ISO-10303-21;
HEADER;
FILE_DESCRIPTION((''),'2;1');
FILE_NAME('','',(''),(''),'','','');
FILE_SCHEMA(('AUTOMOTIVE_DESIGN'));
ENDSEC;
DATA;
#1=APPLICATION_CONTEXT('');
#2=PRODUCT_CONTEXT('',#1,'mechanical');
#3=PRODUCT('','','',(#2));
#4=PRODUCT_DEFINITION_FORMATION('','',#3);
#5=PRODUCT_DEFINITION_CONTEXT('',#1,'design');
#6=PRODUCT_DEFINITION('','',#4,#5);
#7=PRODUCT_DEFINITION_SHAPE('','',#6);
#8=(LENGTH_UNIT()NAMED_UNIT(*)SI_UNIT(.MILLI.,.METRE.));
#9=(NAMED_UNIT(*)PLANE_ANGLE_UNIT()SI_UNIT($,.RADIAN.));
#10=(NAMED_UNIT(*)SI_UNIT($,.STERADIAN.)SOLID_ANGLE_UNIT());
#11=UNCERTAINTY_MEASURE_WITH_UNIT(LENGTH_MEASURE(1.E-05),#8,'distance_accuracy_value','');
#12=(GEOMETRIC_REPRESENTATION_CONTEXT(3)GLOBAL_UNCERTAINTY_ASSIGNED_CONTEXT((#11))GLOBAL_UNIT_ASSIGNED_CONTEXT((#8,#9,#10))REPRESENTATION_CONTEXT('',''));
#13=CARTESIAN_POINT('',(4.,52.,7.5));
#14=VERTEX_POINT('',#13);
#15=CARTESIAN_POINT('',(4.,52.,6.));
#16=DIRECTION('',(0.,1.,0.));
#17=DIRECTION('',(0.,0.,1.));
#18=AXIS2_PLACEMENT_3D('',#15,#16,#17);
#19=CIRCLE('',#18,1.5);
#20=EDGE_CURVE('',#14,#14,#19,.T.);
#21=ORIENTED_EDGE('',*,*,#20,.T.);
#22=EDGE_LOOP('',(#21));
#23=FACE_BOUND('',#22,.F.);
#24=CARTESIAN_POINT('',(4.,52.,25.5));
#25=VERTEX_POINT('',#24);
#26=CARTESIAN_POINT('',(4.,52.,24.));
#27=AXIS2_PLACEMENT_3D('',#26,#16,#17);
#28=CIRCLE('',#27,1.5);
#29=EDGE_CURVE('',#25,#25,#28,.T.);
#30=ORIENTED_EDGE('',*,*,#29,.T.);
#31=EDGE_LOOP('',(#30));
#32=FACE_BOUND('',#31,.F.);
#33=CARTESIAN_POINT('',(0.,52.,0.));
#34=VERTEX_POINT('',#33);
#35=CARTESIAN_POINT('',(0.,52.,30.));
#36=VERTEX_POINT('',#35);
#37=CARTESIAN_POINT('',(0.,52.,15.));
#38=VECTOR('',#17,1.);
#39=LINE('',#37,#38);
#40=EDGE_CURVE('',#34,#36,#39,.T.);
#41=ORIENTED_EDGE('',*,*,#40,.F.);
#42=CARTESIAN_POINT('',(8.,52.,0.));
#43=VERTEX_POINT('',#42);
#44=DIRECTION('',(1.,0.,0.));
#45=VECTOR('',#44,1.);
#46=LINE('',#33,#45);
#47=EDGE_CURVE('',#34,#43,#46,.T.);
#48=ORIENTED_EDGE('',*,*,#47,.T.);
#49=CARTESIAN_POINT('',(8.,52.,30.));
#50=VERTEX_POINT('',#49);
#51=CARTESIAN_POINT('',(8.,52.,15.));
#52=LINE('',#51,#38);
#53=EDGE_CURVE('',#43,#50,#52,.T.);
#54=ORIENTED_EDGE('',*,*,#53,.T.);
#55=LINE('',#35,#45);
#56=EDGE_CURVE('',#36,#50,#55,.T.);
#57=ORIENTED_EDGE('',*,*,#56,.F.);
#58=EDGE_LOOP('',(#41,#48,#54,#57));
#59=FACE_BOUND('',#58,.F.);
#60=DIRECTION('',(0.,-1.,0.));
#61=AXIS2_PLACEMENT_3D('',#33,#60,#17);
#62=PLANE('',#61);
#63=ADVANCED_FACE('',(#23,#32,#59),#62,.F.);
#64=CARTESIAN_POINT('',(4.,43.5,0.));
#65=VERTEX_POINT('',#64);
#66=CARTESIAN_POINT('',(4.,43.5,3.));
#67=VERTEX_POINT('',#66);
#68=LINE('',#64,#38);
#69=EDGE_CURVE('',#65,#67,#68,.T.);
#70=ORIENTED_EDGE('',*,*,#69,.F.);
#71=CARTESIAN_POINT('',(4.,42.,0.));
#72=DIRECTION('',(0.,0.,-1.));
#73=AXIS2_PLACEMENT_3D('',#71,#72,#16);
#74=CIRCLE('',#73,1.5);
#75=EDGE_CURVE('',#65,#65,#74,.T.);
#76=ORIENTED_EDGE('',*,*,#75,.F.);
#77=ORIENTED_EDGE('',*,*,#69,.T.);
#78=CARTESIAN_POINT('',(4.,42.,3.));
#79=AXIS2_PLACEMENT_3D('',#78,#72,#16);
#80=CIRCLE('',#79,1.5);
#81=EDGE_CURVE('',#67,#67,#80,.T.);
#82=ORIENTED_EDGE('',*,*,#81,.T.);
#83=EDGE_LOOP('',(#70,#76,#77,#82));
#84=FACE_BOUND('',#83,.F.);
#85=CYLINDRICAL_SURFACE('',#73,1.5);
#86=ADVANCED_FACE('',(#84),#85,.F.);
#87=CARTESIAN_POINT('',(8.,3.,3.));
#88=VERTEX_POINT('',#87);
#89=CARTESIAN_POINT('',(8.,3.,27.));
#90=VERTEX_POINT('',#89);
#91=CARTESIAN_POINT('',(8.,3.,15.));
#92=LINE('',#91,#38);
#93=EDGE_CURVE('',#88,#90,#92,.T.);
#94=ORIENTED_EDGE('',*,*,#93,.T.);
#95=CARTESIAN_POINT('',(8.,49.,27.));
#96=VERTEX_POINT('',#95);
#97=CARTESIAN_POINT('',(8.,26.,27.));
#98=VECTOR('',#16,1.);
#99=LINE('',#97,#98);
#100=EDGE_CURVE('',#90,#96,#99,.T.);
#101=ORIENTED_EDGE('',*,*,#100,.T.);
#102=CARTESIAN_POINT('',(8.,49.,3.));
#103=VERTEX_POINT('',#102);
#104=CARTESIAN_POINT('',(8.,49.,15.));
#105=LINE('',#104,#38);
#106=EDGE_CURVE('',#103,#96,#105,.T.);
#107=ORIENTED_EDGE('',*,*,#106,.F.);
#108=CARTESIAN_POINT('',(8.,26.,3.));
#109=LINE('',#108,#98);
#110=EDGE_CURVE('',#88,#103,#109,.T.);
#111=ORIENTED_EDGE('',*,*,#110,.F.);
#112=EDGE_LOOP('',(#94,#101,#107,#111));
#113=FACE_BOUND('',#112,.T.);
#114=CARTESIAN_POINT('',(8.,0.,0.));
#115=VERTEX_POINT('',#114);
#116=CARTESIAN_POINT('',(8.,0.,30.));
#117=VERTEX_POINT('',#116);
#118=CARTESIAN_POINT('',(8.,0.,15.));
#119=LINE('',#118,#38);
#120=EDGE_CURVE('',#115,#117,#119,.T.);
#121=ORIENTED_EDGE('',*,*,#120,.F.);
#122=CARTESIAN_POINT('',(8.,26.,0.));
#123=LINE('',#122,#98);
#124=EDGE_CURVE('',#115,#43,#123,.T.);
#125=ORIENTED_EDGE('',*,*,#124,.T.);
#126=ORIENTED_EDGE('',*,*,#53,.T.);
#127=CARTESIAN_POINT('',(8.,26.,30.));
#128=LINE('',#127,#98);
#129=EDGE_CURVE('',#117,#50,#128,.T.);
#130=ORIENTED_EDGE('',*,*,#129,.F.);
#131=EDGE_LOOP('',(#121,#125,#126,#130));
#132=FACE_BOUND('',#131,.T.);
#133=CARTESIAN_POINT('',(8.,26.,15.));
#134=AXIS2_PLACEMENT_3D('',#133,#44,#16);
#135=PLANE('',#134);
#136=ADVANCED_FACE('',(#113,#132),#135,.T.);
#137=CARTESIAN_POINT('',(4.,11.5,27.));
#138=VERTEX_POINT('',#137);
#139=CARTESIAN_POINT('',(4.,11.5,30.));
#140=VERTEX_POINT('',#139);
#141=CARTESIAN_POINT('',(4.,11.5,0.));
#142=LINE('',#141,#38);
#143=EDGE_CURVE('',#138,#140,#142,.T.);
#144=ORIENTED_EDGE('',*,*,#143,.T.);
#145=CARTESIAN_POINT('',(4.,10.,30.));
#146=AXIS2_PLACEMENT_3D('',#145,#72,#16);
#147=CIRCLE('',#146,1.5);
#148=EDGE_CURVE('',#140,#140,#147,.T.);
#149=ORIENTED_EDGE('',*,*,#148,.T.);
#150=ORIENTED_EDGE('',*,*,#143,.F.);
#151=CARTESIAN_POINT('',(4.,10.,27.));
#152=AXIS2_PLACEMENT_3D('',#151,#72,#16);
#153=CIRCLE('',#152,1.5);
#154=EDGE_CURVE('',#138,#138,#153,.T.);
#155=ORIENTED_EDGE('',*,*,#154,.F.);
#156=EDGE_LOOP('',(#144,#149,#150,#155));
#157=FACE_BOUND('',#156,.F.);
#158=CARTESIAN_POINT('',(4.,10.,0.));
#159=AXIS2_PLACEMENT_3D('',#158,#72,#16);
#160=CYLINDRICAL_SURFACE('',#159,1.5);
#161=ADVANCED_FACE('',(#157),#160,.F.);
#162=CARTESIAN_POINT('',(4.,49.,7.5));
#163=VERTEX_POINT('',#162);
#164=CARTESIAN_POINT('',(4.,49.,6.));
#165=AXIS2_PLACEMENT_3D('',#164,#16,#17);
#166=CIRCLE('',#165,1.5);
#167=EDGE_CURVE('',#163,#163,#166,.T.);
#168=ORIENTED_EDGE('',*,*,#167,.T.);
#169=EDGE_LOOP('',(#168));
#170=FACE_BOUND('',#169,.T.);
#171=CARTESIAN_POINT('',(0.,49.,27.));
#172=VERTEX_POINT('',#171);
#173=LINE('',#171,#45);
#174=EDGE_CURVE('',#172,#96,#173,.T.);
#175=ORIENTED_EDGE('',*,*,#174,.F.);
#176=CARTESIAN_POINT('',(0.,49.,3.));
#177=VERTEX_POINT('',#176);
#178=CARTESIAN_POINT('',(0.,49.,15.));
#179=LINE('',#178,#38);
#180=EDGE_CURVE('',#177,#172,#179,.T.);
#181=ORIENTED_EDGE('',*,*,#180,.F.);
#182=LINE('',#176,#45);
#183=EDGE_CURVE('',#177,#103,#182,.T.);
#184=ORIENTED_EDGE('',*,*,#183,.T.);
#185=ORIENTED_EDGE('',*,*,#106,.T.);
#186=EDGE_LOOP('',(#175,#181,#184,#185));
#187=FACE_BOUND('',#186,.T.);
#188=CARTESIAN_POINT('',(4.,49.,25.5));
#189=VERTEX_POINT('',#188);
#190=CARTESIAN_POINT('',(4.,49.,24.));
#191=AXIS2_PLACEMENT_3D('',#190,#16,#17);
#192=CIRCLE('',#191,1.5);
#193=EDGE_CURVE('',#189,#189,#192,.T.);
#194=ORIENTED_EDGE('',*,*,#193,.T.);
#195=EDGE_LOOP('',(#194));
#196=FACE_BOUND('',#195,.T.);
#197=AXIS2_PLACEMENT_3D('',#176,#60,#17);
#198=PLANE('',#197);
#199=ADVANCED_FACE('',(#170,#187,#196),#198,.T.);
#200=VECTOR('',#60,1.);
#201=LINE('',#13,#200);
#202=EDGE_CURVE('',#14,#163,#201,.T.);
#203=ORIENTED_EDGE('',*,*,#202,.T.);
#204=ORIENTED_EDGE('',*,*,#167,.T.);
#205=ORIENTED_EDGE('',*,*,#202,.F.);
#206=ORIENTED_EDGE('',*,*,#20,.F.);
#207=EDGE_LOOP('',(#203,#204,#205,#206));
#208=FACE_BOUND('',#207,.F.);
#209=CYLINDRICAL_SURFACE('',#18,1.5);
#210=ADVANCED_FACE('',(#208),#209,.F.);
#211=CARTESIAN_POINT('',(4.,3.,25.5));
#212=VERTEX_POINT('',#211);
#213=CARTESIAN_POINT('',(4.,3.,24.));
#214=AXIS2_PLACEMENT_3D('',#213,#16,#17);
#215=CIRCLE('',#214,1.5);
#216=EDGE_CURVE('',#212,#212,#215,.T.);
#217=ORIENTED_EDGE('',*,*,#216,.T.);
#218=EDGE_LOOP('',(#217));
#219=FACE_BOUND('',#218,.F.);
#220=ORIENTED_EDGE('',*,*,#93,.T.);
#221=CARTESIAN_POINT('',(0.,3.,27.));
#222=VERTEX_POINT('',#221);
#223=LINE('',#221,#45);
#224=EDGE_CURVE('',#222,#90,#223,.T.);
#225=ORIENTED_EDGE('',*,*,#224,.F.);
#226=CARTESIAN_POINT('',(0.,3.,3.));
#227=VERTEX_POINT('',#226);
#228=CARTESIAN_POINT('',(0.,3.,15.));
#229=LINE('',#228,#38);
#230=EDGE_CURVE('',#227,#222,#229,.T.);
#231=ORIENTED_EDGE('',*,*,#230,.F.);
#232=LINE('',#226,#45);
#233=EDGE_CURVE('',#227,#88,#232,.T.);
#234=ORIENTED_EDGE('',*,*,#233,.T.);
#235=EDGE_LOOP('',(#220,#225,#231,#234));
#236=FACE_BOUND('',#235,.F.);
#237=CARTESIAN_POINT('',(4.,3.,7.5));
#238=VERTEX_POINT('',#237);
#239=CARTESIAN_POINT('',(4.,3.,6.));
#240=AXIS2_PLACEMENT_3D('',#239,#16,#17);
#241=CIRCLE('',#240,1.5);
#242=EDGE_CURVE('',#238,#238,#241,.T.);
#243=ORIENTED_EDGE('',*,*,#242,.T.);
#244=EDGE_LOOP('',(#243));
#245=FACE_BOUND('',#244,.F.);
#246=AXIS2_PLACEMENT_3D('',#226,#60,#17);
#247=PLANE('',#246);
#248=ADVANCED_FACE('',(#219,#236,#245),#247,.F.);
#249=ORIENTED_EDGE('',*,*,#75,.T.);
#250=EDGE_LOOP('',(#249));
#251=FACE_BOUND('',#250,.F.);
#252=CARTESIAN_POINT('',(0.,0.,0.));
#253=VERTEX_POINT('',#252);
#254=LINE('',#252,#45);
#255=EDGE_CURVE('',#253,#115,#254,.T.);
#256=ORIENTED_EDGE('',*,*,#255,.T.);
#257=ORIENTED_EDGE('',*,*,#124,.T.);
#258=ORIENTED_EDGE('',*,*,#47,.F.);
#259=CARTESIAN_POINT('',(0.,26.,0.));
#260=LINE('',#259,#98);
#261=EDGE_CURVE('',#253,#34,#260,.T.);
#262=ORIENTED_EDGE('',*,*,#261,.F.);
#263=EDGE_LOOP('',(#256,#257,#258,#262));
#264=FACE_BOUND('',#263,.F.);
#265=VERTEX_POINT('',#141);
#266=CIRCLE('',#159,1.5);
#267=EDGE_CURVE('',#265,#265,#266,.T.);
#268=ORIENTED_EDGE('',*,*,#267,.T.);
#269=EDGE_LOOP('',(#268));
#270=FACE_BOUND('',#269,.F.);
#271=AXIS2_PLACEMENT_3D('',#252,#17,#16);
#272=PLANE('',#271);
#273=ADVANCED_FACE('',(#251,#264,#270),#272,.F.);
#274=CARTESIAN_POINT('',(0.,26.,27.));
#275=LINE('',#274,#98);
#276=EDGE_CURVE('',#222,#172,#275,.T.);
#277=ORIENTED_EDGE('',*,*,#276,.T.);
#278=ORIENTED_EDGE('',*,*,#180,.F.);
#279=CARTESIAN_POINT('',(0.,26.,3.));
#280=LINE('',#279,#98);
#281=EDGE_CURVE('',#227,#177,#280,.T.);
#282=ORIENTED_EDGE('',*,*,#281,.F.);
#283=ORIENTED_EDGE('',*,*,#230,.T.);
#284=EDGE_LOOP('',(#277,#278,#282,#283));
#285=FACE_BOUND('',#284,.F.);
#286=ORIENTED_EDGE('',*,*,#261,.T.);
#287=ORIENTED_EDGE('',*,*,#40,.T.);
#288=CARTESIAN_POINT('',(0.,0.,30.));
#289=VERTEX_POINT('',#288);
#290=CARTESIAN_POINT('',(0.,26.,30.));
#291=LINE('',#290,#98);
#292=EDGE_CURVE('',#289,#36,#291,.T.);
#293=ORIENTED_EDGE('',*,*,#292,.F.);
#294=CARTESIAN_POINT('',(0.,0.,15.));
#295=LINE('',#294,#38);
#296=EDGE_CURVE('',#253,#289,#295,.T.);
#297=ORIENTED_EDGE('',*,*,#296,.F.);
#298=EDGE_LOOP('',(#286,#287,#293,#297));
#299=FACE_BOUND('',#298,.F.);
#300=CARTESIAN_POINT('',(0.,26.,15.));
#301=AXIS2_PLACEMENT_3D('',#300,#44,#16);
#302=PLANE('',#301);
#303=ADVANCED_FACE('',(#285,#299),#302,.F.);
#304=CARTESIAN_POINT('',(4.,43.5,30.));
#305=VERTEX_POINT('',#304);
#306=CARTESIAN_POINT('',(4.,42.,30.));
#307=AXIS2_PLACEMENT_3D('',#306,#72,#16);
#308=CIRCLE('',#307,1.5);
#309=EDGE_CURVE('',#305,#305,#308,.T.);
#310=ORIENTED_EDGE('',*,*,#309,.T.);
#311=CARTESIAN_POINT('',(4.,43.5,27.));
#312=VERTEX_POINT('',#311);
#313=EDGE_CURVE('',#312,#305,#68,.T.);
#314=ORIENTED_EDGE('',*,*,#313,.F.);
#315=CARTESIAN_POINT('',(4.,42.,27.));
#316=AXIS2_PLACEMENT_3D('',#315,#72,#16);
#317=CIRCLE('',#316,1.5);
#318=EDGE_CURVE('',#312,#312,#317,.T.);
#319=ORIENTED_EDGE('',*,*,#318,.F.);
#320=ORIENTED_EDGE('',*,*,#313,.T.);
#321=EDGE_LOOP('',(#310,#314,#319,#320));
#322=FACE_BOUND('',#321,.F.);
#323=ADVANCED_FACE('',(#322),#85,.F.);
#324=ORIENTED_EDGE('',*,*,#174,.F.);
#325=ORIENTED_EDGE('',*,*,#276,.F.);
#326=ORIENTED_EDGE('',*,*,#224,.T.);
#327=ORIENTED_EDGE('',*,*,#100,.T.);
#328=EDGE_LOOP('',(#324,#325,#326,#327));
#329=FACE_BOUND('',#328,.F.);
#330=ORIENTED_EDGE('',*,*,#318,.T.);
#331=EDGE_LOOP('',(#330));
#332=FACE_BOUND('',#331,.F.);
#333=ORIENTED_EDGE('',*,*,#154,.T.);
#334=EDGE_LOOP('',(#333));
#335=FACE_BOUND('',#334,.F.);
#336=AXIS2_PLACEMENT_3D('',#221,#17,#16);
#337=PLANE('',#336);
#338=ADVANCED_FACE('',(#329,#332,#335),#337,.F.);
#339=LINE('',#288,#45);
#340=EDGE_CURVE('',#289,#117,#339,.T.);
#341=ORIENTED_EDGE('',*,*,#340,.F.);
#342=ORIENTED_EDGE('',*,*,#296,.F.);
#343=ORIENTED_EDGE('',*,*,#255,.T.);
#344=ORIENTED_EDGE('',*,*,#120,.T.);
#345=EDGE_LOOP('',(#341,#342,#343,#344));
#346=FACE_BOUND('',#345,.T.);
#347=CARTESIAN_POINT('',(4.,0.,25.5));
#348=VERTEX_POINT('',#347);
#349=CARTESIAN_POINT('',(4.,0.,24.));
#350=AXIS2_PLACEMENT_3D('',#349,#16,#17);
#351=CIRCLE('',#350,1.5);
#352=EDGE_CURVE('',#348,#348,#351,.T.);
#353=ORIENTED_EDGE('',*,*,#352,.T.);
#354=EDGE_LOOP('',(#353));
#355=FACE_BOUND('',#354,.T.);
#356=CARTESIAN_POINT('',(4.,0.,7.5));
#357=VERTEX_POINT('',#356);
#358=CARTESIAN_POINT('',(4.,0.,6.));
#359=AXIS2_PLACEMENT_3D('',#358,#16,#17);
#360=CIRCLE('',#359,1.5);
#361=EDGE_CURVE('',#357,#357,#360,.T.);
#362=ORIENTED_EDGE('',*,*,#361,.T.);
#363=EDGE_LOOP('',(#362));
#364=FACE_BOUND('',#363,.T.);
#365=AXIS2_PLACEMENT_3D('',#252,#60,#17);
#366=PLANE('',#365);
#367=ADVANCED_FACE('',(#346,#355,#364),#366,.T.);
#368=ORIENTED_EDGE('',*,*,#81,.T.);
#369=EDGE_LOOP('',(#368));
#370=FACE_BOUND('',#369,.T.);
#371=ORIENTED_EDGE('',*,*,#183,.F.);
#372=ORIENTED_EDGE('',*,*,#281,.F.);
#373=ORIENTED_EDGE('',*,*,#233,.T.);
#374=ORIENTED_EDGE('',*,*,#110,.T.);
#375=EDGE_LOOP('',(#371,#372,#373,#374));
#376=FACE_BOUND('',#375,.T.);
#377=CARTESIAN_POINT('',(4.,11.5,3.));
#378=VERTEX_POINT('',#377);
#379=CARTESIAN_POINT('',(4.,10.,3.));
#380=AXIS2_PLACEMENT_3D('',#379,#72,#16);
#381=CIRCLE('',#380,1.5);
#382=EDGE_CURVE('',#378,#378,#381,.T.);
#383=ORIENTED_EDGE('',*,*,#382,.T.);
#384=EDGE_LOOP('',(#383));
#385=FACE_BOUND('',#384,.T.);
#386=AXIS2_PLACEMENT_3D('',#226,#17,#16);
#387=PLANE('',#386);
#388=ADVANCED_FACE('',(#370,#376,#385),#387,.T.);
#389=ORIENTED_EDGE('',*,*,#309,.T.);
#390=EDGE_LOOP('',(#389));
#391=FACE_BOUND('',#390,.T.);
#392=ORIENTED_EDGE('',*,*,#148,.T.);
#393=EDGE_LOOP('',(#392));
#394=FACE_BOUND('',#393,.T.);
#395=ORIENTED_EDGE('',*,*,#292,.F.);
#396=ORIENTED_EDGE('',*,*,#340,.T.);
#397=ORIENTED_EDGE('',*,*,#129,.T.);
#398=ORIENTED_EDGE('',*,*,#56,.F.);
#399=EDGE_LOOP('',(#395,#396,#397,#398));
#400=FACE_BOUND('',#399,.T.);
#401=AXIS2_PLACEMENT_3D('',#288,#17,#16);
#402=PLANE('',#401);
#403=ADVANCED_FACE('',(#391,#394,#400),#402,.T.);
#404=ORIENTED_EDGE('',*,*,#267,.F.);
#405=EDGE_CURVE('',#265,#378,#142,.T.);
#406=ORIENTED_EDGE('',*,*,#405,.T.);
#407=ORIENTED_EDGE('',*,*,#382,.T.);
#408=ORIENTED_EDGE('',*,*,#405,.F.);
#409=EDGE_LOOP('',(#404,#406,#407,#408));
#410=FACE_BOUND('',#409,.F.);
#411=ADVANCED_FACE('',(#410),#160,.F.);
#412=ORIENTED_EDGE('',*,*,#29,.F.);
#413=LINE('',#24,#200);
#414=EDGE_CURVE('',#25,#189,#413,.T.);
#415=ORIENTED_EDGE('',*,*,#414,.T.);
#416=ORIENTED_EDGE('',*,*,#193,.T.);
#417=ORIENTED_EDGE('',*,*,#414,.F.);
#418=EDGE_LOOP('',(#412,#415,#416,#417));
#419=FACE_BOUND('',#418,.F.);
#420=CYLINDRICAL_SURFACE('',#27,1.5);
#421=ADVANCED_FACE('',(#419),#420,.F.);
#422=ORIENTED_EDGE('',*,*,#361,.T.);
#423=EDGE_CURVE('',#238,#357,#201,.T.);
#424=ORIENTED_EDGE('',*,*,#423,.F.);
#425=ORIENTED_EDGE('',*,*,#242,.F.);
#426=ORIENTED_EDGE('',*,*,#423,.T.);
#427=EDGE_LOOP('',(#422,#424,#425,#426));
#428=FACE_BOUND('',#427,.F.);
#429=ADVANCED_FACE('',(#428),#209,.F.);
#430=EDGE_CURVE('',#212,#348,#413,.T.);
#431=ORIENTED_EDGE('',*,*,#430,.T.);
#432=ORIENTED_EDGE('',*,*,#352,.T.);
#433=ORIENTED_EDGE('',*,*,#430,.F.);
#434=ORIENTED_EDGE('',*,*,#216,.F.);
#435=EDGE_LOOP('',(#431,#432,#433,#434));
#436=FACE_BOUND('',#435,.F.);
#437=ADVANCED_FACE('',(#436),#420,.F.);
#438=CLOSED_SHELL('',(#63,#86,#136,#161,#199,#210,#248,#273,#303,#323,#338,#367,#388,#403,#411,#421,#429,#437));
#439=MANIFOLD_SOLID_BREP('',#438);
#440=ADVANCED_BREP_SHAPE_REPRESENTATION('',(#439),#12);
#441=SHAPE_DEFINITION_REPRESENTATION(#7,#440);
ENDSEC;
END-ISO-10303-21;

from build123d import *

# Parameters (mm, degrees)
SKETCH011_W     = 52
SKETCH011_H     = 30
SKETCH011_W_2   = 46
SKETCH011_H_2   = 24
PAD011_DEPTH    = 8
SKETCH012_R     = 1.5
POCKET_DEPTH    = 52.001
SKETCH013_R     = 1.5
POCKET001_DEPTH = 30.001


with BuildPart() as part:
    # Sketch011 → Pad011 (new body)
    with BuildSketch(Plane.YZ):
        with Locations((26, 15)):
            Rectangle(SKETCH011_W, SKETCH011_H)
        with Locations((26, 15)):
            Rectangle(SKETCH011_W_2, SKETCH011_H_2, mode=Mode.SUBTRACT)
    extrude(amount=PAD011_DEPTH)

    # Sketch012 (on Face2 of Pad011) → Pocket (cut, through all)
    with BuildSketch(Plane.ZX.offset(52)):
        with Locations((6, 4)):
            Circle(SKETCH012_R)
        with Locations((24, 4)):
            Circle(SKETCH012_R)
    extrude(amount=-POCKET_DEPTH, mode=Mode.SUBTRACT)

    # Sketch013 (on Face1 of Pocket) → Pocket001 (cut, through all)
    with BuildSketch(Plane.YX):
        with Locations((10, 4)):
            Circle(SKETCH013_R)
        with Locations((42, 4)):
            Circle(SKETCH013_R)
    extrude(amount=-POCKET001_DEPTH, mode=Mode.SUBTRACT)


solid = part.part
